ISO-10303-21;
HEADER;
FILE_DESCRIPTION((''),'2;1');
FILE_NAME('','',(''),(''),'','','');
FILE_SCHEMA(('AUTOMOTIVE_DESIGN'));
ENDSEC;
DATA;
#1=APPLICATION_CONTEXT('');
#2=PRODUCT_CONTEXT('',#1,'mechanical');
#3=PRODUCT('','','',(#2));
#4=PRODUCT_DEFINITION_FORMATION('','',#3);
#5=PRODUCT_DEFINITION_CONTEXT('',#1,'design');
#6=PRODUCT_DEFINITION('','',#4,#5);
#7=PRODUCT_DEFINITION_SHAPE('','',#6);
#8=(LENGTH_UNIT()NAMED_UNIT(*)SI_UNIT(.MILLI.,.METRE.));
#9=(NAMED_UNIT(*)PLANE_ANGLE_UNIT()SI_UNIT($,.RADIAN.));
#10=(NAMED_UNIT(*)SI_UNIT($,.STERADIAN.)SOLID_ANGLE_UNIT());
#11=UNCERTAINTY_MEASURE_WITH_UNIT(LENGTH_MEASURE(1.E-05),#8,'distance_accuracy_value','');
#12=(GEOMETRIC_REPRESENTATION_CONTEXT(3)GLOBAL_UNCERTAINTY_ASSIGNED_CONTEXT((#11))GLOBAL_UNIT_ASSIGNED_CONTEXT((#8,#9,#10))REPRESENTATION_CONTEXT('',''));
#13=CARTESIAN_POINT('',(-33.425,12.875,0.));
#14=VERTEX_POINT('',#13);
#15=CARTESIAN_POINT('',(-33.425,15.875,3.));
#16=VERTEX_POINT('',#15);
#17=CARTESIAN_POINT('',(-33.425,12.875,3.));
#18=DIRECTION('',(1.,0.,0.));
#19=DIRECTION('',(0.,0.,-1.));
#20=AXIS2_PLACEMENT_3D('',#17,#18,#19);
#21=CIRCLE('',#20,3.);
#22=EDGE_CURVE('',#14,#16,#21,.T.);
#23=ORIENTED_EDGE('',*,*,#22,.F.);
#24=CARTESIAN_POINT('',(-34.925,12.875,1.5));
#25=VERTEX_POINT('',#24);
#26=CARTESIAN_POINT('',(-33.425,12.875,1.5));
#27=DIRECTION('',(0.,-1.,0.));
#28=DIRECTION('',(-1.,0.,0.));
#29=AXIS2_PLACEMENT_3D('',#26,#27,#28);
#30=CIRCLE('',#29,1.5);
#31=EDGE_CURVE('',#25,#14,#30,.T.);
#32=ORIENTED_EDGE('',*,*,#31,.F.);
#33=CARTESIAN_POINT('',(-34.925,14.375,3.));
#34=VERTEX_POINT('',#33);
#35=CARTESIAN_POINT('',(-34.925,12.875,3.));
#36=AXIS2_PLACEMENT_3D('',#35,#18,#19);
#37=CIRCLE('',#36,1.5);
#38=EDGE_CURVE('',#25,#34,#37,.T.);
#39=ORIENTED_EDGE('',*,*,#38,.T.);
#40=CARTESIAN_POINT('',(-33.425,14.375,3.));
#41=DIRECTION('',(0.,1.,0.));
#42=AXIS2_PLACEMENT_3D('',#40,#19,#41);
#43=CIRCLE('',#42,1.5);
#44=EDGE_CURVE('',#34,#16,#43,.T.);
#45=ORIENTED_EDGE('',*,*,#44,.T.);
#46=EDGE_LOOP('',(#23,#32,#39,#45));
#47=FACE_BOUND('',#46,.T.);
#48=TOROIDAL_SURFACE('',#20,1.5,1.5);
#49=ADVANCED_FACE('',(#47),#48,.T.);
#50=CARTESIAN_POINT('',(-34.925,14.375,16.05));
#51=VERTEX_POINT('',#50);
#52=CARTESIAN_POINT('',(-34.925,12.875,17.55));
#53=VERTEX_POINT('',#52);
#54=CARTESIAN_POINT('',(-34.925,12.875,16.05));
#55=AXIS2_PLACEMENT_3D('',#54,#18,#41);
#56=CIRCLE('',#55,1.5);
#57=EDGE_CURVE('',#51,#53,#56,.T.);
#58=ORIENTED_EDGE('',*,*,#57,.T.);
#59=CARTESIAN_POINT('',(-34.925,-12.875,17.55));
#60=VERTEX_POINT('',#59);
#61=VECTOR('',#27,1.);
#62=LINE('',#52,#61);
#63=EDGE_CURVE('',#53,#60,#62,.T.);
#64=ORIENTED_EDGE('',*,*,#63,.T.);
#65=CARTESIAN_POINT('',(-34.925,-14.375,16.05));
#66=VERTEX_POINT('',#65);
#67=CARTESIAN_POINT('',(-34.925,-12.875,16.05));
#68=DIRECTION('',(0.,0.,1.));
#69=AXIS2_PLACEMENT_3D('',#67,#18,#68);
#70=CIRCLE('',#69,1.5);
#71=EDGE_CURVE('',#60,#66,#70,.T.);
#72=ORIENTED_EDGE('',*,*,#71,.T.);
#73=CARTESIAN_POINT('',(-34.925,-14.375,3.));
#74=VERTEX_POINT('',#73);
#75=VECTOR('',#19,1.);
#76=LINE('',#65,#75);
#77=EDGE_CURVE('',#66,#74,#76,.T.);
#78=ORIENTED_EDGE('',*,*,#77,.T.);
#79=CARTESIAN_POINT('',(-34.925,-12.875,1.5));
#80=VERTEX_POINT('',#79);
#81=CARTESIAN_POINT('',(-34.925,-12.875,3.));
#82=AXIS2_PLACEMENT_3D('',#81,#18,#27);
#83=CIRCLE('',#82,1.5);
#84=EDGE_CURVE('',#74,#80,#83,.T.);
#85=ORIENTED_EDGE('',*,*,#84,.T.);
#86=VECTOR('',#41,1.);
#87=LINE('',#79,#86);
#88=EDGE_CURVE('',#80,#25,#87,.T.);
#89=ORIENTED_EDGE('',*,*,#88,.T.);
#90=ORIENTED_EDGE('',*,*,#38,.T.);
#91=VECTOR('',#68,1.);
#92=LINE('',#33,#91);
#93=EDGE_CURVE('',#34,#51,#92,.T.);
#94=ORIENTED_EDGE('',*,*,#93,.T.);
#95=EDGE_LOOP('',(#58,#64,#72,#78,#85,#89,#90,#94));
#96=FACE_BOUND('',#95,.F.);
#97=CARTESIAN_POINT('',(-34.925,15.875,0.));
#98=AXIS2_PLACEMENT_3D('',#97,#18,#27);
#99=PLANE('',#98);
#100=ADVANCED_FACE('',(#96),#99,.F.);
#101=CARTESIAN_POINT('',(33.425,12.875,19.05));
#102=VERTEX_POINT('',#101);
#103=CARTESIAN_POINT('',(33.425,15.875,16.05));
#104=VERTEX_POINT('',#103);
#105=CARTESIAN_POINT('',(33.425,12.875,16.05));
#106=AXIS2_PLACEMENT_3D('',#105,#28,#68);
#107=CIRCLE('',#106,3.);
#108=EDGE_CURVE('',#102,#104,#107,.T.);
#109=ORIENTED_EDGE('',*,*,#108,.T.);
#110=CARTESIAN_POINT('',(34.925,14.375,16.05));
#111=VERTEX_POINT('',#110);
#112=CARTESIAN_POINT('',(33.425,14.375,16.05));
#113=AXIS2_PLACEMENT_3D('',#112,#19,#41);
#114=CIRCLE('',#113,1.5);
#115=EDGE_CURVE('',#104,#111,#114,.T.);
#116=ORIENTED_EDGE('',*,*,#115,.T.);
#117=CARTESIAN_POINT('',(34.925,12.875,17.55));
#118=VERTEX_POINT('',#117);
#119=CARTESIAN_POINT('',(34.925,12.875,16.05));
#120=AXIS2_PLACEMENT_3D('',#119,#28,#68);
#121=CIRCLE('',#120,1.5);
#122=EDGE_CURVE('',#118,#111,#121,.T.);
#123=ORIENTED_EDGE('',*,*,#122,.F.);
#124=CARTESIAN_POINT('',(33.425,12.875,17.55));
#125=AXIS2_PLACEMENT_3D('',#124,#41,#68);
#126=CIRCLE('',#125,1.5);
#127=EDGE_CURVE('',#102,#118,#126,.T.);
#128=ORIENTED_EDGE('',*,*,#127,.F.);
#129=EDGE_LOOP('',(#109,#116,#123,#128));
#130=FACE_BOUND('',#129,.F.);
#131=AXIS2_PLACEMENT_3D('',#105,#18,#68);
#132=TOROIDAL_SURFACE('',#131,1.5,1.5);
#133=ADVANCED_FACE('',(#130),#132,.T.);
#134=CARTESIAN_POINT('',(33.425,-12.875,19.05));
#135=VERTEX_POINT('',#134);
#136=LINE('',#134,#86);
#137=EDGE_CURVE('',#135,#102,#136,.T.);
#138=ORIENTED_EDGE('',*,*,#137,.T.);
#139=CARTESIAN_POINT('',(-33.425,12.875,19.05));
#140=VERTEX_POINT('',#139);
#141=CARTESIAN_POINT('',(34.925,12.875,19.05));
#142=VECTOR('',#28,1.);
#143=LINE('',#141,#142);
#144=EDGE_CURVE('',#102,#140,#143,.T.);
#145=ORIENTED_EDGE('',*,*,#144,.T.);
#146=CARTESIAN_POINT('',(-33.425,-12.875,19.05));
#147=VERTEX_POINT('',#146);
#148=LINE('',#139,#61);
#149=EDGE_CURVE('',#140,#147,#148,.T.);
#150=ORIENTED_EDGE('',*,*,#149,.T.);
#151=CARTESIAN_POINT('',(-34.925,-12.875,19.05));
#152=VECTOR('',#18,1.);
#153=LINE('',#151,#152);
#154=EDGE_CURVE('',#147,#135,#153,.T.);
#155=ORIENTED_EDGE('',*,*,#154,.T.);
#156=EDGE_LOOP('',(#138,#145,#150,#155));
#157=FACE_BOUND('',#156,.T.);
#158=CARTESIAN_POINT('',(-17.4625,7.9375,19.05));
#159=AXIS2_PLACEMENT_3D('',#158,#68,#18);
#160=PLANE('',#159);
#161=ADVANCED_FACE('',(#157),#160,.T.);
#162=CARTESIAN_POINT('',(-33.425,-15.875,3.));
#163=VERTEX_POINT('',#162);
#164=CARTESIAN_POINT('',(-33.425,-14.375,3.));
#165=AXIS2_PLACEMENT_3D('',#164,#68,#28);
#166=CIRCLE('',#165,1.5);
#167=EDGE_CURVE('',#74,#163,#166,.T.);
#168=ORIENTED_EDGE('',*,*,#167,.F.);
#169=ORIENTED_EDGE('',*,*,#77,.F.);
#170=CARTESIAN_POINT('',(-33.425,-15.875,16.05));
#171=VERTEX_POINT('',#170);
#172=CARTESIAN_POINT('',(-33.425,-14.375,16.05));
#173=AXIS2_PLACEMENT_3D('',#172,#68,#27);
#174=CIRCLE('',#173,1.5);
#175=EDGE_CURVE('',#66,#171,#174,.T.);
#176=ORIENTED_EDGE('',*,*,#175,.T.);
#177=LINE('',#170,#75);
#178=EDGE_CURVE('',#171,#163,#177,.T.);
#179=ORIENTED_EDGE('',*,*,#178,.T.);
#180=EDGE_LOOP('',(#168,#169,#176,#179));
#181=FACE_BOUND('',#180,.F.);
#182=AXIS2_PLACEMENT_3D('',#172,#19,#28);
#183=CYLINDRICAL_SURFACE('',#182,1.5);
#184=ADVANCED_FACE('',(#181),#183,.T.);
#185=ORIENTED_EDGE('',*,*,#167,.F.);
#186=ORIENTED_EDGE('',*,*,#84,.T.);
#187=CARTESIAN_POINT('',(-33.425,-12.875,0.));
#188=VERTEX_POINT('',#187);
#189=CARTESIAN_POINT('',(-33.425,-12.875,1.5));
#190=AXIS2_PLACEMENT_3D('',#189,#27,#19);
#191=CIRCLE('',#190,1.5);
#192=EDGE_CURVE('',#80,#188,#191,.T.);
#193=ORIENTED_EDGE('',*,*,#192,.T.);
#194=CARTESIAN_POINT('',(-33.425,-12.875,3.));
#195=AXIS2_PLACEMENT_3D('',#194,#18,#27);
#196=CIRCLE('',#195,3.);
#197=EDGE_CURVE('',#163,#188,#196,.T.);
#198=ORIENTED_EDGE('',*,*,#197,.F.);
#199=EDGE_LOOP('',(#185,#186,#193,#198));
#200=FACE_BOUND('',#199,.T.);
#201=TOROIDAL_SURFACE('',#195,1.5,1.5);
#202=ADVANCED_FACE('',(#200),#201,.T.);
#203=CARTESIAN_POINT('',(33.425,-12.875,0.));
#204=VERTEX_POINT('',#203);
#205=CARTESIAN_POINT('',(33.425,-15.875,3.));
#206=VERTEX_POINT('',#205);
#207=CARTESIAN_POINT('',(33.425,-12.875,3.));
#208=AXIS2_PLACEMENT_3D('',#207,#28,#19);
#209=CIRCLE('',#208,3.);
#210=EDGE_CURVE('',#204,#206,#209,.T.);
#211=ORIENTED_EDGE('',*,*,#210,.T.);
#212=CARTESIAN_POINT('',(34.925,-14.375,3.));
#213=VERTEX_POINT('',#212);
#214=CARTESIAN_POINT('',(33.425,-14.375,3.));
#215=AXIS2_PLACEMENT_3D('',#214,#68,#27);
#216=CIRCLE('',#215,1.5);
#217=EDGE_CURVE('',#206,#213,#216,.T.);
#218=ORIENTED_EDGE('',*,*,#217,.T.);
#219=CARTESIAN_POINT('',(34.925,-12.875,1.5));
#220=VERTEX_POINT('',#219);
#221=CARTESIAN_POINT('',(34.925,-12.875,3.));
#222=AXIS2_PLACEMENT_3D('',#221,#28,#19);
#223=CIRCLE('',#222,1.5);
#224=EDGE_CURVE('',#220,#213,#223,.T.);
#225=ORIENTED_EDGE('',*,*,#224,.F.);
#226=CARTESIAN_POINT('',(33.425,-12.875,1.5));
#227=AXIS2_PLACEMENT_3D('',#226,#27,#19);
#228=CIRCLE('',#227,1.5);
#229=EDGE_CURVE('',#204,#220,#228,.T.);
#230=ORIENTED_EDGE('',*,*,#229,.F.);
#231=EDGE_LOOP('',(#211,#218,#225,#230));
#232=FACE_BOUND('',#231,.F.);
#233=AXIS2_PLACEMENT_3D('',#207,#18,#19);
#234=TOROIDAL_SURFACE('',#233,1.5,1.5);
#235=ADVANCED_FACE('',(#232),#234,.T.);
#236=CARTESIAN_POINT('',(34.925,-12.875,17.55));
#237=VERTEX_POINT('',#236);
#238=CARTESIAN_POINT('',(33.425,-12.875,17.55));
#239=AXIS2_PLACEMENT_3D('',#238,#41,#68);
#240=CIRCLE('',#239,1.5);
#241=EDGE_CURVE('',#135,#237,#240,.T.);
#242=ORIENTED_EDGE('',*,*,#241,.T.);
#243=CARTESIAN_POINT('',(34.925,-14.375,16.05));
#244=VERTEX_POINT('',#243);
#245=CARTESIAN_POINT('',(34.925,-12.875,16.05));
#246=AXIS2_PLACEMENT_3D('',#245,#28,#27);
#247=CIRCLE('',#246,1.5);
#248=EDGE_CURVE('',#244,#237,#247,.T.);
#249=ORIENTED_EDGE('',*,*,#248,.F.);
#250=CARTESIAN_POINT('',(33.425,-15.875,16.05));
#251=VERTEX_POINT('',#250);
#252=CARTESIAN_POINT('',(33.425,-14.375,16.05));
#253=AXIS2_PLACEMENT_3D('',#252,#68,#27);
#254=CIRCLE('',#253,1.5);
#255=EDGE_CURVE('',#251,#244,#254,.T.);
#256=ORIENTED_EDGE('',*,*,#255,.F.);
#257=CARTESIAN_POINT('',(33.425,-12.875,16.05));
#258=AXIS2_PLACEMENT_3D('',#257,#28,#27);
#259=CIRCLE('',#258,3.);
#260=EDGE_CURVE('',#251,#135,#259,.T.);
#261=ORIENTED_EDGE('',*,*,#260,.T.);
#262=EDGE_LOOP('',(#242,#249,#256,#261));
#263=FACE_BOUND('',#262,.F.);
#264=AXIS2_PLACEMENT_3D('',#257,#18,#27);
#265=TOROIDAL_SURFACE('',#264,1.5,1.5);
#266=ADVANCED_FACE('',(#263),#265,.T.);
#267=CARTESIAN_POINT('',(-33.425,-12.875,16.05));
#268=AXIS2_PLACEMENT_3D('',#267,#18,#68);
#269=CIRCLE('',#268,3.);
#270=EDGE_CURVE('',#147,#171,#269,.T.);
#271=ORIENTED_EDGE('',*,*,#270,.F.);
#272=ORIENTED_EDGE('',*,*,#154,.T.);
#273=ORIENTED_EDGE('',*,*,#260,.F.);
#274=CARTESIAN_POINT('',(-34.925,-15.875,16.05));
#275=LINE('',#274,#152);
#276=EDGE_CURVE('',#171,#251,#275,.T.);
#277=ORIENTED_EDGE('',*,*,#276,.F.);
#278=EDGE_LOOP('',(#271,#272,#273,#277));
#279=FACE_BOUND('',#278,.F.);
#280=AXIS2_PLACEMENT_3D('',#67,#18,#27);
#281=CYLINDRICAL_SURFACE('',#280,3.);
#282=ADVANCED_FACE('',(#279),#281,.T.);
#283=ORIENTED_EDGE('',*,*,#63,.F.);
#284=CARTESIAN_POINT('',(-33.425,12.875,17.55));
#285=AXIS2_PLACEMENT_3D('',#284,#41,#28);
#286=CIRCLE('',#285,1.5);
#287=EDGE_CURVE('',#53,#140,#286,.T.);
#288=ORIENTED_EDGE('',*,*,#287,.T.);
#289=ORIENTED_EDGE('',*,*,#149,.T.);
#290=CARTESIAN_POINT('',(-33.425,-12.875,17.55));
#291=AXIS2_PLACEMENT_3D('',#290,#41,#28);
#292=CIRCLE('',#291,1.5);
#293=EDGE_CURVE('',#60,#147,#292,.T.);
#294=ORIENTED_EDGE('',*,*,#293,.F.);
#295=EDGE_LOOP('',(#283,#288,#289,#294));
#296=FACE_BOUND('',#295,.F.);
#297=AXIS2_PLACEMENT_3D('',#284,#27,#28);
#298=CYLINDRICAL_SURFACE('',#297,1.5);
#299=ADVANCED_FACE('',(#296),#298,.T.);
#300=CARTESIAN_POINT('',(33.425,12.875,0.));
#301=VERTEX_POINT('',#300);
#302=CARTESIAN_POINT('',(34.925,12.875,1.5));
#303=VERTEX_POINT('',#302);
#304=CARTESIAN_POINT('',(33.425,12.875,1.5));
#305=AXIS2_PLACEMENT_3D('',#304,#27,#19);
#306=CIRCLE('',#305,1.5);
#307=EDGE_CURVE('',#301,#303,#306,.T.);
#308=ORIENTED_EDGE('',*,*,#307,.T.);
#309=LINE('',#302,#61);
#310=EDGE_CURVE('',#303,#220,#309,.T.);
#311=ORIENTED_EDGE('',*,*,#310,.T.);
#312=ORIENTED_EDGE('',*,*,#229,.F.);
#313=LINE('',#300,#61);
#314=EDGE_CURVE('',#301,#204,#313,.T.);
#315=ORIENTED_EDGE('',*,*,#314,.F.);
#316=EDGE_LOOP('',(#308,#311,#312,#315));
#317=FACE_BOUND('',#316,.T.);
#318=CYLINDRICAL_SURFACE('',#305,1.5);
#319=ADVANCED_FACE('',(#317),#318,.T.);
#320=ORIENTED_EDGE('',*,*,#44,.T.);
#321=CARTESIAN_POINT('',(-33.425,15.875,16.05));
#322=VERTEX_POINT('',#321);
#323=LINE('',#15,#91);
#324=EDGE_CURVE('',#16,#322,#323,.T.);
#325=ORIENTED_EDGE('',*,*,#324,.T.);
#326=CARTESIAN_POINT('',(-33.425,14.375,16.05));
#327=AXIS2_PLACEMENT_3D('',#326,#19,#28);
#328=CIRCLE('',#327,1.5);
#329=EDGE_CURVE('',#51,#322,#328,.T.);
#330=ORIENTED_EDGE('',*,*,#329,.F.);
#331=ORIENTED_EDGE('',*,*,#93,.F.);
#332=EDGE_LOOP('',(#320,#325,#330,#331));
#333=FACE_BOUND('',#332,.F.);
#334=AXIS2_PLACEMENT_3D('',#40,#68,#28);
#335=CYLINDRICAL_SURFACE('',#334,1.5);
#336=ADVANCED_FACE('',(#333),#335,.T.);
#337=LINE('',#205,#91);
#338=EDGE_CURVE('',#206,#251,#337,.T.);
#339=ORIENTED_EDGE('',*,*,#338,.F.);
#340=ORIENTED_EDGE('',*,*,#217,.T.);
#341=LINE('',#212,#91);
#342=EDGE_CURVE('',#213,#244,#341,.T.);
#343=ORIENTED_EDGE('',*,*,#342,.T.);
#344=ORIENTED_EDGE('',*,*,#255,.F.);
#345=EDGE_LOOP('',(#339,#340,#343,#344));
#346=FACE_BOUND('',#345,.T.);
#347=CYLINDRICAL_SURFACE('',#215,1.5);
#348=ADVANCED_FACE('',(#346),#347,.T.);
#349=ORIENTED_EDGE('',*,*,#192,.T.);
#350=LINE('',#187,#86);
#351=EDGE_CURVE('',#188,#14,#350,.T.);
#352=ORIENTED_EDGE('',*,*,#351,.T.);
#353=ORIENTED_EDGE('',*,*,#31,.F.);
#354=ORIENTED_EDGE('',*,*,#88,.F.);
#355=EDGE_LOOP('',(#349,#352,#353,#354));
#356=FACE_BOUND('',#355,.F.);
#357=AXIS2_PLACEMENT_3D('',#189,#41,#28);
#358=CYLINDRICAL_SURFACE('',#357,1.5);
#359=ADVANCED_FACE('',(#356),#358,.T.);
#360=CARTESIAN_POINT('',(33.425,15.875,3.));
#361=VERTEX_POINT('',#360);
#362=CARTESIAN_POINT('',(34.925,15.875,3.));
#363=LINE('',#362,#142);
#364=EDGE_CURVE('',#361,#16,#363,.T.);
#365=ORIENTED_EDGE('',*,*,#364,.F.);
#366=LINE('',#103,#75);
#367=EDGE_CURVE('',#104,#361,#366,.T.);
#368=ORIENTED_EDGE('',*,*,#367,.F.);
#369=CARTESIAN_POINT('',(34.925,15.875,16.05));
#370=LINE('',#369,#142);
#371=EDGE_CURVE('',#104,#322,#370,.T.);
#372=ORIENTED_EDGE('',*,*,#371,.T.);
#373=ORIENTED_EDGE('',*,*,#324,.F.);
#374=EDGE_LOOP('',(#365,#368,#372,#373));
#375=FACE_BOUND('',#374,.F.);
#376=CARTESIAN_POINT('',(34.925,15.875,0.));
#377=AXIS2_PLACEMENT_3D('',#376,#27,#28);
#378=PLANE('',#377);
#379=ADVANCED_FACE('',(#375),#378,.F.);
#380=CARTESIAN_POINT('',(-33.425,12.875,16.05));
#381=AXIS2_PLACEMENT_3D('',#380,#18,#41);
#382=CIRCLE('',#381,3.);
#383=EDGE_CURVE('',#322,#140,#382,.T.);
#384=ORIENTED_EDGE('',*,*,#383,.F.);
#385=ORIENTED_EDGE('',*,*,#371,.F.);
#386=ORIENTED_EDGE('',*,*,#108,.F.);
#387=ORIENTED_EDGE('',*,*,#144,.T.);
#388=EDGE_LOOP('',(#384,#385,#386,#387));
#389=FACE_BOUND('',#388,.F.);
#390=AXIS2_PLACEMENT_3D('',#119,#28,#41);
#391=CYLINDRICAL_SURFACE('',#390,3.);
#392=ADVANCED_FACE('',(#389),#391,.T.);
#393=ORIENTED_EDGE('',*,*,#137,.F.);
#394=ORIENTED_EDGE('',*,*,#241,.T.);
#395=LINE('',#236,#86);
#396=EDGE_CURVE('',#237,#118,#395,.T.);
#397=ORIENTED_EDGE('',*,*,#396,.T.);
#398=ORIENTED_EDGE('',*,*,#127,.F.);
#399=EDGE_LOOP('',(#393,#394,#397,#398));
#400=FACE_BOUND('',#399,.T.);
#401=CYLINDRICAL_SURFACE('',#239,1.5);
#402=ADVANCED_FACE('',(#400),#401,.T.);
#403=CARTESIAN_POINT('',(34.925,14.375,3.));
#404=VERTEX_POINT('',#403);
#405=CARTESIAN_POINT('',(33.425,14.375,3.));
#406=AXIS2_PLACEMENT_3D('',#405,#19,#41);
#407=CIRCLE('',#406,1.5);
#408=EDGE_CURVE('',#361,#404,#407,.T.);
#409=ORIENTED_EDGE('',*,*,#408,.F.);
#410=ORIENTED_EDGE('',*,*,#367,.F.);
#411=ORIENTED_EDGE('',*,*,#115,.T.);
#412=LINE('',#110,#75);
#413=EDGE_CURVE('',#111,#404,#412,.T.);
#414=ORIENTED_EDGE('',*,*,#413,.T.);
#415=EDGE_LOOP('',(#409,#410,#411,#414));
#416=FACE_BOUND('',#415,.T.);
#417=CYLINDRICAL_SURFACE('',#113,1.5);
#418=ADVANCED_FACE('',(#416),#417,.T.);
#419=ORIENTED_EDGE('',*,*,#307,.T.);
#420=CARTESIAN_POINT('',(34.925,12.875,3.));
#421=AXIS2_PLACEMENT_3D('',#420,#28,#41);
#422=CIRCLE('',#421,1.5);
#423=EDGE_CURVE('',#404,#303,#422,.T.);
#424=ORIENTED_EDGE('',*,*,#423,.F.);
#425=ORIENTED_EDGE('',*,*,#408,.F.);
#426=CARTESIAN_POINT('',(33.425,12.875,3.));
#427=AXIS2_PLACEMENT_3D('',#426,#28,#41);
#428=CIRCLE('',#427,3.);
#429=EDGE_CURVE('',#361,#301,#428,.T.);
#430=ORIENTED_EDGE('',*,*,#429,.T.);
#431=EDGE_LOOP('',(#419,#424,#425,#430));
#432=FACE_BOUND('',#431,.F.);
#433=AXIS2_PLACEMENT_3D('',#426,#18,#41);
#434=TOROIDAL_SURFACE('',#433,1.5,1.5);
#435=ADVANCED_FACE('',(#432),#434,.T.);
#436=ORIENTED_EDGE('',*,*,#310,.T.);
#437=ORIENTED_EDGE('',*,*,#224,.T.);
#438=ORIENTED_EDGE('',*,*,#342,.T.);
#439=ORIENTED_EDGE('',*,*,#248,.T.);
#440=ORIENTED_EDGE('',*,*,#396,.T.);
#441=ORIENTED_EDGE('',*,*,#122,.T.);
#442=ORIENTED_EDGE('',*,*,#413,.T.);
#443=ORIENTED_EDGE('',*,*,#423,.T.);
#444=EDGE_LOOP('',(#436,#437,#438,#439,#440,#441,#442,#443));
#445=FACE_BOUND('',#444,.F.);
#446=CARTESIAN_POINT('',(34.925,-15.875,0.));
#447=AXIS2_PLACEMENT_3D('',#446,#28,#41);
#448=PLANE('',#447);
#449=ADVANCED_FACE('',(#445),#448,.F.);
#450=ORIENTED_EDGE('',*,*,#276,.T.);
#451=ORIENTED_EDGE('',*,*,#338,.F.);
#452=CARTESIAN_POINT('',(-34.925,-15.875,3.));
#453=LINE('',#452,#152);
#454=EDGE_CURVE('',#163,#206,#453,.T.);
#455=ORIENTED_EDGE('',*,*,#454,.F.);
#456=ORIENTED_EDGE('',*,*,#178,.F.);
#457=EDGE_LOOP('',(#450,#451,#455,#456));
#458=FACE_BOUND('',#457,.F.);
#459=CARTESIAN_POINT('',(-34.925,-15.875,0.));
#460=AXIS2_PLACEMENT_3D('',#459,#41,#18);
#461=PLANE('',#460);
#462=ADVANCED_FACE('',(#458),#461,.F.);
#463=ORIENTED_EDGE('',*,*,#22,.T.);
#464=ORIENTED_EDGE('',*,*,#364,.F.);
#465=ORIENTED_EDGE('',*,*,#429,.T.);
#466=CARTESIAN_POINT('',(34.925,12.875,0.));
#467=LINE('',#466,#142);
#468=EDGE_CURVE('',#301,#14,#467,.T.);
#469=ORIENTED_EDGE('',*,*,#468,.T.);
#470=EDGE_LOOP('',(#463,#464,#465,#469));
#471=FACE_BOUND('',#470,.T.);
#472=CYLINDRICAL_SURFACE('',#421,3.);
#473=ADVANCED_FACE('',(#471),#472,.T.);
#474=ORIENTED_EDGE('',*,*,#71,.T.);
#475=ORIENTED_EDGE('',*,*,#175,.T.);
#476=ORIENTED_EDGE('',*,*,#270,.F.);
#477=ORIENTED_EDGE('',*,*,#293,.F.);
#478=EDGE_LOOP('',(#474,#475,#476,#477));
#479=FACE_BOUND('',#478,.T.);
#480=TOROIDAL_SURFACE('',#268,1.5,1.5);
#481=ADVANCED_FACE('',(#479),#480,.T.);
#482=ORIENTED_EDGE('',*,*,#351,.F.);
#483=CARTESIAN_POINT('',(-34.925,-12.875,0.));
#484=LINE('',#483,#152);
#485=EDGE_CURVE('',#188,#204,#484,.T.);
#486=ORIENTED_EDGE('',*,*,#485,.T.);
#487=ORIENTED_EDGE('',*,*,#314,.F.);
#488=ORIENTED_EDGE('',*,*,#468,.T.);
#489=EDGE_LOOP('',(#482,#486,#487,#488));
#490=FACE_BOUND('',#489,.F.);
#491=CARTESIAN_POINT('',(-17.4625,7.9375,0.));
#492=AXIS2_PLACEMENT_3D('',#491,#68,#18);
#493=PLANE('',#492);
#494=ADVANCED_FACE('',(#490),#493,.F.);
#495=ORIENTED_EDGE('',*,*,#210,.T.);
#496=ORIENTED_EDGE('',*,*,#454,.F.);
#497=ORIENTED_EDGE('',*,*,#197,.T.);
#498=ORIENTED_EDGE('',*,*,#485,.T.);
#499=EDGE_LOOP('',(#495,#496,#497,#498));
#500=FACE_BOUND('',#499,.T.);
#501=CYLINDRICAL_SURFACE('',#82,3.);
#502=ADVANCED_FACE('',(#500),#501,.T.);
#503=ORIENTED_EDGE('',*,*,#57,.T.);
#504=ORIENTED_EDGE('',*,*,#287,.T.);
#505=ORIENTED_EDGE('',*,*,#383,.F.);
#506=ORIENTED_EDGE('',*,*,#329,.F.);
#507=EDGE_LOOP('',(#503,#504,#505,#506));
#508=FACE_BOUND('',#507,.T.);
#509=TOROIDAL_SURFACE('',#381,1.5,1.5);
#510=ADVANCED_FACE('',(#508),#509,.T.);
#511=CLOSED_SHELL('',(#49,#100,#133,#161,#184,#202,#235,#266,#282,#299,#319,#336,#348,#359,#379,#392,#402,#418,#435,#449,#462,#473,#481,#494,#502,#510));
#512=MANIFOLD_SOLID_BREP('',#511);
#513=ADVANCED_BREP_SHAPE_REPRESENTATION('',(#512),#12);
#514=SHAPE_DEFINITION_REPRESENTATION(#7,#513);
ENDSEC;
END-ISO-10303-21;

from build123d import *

# Parameters (mm, degrees)
F0_W     = 34.925
F0_H     = 15.875
F1_DEPTH = 19.05
F2_R     = 3
F3_R     = 1.5


with BuildPart() as f1:
    # F0 (on Top) → F1 (new body)
    with BuildSketch(Plane.XY):
        with Locations((-17.4625, 7.9375)):
            Rectangle(F0_W, F0_H)
        Polygon((34.925, 15.875), (0, 15.875), (0, 0), (-34.925, 0), (-34.925, -15.875), (34.925, -15.875), align=None)
    extrude(amount=F1_DEPTH)

    # F2
    f2_edges = [f1.edges().sort_by_distance(p)[0] for p in [
        (0, -15.875, 19.05),
        (0, -15.875, 0),
        (0, 15.875, 19.05),
        (0, 15.875, 0),
    ]]
    fillet(f2_edges, radius=F2_R)

    # F3
    f3_edges = [f1.edges().sort_by_distance(p)[0] for p in [
        (-34.925, 0, 19.05),
        (34.925, 0, 19.05),
    ]]
    fillet(f3_edges, radius=F3_R)


solid = f1.part
